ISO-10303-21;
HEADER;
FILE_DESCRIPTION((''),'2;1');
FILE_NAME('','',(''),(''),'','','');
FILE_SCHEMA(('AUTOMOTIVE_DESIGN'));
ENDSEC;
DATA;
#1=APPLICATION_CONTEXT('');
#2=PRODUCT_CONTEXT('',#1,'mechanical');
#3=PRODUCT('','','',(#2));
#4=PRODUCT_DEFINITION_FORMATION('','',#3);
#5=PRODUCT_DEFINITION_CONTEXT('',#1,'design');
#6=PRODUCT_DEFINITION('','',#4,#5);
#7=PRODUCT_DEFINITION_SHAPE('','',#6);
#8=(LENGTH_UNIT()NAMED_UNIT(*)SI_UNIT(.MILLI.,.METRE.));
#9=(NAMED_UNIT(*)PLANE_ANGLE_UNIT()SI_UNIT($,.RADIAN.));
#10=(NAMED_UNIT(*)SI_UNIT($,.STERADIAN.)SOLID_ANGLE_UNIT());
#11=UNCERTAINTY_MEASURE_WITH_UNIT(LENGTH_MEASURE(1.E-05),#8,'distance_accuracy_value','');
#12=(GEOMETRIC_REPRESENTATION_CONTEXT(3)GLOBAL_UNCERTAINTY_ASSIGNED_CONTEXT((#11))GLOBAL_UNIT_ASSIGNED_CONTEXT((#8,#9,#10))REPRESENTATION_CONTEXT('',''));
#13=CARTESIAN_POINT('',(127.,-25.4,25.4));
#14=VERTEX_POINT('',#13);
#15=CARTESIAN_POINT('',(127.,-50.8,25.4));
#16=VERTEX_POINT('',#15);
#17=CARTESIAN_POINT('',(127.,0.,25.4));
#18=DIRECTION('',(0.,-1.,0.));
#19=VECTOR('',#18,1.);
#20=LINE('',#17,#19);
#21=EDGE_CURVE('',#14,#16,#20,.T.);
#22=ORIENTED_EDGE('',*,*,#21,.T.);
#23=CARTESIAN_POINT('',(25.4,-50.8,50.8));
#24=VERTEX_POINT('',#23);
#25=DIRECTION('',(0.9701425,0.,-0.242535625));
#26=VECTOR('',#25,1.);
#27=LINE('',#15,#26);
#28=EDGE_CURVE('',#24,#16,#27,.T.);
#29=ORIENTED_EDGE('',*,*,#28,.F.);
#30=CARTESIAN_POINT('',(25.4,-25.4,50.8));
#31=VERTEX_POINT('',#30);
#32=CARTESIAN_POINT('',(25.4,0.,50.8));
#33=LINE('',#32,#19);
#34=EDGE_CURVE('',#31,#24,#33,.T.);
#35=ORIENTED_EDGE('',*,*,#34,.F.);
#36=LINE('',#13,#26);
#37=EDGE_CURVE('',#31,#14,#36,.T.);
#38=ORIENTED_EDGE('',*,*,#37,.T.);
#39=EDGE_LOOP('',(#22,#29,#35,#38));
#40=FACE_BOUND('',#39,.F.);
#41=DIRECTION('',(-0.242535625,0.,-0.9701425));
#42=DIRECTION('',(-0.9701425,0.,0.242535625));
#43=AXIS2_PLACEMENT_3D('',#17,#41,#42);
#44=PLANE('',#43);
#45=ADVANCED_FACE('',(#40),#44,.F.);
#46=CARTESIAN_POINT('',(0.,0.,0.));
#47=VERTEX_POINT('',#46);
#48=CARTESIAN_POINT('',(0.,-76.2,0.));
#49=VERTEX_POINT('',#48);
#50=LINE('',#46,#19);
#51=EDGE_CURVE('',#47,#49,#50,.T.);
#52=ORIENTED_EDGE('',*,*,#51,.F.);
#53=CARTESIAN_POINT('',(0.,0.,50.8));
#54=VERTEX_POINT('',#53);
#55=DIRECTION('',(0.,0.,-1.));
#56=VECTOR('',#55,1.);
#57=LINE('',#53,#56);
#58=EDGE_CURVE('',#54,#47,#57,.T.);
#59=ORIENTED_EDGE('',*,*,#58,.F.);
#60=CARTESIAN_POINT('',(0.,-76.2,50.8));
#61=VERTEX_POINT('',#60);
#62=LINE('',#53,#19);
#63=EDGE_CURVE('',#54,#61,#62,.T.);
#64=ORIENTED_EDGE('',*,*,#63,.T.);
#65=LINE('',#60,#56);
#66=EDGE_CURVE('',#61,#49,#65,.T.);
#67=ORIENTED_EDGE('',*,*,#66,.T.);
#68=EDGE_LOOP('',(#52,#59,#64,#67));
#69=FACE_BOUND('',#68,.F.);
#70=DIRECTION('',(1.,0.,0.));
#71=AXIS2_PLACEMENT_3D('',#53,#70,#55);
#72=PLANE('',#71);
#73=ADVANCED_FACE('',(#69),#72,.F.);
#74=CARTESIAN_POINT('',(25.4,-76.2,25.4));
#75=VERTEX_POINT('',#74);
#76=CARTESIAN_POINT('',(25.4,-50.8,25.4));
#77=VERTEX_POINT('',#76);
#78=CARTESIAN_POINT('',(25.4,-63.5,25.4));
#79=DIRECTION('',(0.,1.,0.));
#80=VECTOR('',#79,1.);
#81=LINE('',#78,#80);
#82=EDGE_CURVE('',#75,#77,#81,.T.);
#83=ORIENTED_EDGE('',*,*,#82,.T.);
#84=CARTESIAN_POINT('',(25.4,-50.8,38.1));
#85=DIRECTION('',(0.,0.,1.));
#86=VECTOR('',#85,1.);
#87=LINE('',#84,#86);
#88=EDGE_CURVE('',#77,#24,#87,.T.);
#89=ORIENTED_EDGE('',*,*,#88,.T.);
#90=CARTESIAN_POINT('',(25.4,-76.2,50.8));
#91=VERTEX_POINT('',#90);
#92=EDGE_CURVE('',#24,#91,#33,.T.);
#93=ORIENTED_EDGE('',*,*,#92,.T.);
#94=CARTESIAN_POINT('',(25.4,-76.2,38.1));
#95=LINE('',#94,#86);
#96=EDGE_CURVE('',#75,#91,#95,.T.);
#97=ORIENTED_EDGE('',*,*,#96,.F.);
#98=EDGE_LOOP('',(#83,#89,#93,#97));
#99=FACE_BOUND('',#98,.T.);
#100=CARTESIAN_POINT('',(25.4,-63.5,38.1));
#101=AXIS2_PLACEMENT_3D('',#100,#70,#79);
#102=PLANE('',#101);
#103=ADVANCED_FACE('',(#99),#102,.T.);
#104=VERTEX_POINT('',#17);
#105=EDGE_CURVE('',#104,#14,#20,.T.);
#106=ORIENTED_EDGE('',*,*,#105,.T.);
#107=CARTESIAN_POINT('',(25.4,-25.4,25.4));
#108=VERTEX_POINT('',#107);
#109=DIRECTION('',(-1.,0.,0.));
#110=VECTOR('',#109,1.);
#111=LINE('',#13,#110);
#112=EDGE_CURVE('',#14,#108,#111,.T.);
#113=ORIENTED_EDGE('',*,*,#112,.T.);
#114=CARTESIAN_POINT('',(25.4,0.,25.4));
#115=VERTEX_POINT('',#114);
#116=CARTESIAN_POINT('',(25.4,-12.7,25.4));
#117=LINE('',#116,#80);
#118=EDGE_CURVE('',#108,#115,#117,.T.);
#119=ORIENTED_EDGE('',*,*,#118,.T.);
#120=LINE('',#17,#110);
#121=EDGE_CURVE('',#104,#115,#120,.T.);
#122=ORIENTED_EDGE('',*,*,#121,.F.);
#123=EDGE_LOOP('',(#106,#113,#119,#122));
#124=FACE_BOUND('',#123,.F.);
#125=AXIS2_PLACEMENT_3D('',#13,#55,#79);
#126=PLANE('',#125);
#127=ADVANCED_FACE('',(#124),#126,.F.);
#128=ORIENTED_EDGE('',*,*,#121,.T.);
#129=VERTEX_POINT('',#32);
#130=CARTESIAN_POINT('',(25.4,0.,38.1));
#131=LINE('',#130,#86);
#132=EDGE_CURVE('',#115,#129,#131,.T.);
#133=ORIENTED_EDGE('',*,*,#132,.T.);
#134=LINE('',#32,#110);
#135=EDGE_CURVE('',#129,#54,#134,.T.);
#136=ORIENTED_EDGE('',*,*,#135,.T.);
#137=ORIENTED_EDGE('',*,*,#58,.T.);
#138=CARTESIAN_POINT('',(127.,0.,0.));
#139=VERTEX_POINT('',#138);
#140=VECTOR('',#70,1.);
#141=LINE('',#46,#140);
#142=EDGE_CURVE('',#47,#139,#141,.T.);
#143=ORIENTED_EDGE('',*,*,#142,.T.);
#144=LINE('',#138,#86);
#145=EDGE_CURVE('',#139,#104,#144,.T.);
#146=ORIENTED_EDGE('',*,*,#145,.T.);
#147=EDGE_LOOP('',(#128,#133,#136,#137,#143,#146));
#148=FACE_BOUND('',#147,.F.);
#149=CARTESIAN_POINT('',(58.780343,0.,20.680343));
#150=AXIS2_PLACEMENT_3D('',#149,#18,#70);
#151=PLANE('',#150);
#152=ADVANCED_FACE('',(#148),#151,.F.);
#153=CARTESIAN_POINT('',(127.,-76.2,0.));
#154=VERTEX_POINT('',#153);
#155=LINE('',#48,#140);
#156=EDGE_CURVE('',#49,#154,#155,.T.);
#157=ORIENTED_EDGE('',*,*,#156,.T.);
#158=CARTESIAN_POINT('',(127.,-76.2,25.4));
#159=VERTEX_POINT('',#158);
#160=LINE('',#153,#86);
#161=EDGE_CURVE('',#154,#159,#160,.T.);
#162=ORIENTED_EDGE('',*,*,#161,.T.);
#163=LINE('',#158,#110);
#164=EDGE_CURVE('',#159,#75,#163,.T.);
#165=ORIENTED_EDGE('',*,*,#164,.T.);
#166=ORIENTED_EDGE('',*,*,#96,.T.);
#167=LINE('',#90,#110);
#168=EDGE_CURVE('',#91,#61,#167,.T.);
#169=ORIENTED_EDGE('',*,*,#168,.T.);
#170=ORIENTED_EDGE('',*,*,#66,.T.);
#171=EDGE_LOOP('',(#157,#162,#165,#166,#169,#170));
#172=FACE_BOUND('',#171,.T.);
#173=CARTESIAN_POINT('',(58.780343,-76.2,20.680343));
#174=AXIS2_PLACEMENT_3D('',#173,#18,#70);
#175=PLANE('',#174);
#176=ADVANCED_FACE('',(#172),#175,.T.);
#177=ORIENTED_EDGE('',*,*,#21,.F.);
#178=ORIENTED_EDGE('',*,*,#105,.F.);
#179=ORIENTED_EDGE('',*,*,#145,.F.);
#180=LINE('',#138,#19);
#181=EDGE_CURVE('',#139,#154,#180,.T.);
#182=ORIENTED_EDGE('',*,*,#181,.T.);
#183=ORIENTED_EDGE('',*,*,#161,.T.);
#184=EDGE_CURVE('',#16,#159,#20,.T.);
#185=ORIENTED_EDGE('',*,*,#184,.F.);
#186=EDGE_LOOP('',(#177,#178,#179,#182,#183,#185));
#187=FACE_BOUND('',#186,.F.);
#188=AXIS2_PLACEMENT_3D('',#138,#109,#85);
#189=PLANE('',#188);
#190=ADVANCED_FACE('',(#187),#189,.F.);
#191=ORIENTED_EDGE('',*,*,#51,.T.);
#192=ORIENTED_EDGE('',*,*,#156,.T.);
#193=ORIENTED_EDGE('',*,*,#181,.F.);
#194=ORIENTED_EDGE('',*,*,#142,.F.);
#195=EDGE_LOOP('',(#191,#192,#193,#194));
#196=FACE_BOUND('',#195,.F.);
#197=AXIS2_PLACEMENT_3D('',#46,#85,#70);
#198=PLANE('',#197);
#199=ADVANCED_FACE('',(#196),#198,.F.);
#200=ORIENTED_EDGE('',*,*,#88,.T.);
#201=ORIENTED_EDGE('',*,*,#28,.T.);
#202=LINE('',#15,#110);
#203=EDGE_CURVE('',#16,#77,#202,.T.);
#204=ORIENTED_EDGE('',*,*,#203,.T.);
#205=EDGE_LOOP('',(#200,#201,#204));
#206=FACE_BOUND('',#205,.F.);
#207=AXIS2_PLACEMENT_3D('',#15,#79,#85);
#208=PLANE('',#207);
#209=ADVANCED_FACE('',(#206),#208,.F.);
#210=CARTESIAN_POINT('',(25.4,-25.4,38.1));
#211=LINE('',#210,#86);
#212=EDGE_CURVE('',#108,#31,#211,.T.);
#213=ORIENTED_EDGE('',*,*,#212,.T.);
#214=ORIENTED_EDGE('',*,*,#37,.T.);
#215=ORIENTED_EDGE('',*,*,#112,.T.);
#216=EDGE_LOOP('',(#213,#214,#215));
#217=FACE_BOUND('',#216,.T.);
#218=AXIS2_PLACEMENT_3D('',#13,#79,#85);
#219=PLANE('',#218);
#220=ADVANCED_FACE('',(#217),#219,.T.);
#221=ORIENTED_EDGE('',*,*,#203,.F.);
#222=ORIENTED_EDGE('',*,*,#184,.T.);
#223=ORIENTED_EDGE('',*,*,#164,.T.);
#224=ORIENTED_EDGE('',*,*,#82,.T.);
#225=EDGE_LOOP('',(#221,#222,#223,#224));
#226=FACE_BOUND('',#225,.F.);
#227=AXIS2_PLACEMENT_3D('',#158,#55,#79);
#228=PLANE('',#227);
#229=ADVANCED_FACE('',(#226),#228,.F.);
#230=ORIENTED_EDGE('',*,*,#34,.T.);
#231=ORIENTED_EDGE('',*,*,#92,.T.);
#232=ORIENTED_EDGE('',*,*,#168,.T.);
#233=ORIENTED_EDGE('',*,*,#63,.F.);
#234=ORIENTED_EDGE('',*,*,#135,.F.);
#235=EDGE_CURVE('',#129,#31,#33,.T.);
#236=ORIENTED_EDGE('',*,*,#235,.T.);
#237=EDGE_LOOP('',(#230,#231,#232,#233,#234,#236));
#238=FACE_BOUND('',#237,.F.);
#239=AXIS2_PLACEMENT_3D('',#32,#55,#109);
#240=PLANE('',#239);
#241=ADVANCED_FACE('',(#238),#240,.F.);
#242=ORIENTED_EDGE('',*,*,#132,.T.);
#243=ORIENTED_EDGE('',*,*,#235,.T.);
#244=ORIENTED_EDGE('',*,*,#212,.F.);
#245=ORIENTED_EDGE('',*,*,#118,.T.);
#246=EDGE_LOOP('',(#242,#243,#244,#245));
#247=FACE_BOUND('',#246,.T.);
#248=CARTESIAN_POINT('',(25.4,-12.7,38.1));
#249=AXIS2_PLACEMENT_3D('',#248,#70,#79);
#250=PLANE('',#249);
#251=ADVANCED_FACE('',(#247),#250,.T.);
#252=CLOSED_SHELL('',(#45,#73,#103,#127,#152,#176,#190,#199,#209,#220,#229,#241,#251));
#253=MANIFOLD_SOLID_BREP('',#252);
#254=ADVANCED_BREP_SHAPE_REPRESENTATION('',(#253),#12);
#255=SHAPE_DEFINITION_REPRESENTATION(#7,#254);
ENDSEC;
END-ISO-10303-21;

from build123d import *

# Parameters (mm, degrees)
F1_DEPTH = 76.2
F2_W     = 25.4
F2_H     = 25.4
F3_DEPTH = 101.6


with BuildPart() as f1:
    # F0 (on Front) → F1 (new body)
    with BuildSketch(Plane.XZ):
        Polygon((0, 50.8), (0, 0), (127, 0), (127, 25.4), (25.4, 50.8), align=None)
    extrude(amount=F1_DEPTH)

    # F2 (on face) → F3 (cut)
    with BuildSketch(Plane.YZ.offset(127)):
        with Locations((-63.5, 38.1)):
            Rectangle(F2_W, F2_H)
        with Locations((-12.7, 38.1)):
            Rectangle(F2_W, F2_H)
    extrude(amount=-F3_DEPTH, mode=Mode.SUBTRACT)


solid = f1.part
